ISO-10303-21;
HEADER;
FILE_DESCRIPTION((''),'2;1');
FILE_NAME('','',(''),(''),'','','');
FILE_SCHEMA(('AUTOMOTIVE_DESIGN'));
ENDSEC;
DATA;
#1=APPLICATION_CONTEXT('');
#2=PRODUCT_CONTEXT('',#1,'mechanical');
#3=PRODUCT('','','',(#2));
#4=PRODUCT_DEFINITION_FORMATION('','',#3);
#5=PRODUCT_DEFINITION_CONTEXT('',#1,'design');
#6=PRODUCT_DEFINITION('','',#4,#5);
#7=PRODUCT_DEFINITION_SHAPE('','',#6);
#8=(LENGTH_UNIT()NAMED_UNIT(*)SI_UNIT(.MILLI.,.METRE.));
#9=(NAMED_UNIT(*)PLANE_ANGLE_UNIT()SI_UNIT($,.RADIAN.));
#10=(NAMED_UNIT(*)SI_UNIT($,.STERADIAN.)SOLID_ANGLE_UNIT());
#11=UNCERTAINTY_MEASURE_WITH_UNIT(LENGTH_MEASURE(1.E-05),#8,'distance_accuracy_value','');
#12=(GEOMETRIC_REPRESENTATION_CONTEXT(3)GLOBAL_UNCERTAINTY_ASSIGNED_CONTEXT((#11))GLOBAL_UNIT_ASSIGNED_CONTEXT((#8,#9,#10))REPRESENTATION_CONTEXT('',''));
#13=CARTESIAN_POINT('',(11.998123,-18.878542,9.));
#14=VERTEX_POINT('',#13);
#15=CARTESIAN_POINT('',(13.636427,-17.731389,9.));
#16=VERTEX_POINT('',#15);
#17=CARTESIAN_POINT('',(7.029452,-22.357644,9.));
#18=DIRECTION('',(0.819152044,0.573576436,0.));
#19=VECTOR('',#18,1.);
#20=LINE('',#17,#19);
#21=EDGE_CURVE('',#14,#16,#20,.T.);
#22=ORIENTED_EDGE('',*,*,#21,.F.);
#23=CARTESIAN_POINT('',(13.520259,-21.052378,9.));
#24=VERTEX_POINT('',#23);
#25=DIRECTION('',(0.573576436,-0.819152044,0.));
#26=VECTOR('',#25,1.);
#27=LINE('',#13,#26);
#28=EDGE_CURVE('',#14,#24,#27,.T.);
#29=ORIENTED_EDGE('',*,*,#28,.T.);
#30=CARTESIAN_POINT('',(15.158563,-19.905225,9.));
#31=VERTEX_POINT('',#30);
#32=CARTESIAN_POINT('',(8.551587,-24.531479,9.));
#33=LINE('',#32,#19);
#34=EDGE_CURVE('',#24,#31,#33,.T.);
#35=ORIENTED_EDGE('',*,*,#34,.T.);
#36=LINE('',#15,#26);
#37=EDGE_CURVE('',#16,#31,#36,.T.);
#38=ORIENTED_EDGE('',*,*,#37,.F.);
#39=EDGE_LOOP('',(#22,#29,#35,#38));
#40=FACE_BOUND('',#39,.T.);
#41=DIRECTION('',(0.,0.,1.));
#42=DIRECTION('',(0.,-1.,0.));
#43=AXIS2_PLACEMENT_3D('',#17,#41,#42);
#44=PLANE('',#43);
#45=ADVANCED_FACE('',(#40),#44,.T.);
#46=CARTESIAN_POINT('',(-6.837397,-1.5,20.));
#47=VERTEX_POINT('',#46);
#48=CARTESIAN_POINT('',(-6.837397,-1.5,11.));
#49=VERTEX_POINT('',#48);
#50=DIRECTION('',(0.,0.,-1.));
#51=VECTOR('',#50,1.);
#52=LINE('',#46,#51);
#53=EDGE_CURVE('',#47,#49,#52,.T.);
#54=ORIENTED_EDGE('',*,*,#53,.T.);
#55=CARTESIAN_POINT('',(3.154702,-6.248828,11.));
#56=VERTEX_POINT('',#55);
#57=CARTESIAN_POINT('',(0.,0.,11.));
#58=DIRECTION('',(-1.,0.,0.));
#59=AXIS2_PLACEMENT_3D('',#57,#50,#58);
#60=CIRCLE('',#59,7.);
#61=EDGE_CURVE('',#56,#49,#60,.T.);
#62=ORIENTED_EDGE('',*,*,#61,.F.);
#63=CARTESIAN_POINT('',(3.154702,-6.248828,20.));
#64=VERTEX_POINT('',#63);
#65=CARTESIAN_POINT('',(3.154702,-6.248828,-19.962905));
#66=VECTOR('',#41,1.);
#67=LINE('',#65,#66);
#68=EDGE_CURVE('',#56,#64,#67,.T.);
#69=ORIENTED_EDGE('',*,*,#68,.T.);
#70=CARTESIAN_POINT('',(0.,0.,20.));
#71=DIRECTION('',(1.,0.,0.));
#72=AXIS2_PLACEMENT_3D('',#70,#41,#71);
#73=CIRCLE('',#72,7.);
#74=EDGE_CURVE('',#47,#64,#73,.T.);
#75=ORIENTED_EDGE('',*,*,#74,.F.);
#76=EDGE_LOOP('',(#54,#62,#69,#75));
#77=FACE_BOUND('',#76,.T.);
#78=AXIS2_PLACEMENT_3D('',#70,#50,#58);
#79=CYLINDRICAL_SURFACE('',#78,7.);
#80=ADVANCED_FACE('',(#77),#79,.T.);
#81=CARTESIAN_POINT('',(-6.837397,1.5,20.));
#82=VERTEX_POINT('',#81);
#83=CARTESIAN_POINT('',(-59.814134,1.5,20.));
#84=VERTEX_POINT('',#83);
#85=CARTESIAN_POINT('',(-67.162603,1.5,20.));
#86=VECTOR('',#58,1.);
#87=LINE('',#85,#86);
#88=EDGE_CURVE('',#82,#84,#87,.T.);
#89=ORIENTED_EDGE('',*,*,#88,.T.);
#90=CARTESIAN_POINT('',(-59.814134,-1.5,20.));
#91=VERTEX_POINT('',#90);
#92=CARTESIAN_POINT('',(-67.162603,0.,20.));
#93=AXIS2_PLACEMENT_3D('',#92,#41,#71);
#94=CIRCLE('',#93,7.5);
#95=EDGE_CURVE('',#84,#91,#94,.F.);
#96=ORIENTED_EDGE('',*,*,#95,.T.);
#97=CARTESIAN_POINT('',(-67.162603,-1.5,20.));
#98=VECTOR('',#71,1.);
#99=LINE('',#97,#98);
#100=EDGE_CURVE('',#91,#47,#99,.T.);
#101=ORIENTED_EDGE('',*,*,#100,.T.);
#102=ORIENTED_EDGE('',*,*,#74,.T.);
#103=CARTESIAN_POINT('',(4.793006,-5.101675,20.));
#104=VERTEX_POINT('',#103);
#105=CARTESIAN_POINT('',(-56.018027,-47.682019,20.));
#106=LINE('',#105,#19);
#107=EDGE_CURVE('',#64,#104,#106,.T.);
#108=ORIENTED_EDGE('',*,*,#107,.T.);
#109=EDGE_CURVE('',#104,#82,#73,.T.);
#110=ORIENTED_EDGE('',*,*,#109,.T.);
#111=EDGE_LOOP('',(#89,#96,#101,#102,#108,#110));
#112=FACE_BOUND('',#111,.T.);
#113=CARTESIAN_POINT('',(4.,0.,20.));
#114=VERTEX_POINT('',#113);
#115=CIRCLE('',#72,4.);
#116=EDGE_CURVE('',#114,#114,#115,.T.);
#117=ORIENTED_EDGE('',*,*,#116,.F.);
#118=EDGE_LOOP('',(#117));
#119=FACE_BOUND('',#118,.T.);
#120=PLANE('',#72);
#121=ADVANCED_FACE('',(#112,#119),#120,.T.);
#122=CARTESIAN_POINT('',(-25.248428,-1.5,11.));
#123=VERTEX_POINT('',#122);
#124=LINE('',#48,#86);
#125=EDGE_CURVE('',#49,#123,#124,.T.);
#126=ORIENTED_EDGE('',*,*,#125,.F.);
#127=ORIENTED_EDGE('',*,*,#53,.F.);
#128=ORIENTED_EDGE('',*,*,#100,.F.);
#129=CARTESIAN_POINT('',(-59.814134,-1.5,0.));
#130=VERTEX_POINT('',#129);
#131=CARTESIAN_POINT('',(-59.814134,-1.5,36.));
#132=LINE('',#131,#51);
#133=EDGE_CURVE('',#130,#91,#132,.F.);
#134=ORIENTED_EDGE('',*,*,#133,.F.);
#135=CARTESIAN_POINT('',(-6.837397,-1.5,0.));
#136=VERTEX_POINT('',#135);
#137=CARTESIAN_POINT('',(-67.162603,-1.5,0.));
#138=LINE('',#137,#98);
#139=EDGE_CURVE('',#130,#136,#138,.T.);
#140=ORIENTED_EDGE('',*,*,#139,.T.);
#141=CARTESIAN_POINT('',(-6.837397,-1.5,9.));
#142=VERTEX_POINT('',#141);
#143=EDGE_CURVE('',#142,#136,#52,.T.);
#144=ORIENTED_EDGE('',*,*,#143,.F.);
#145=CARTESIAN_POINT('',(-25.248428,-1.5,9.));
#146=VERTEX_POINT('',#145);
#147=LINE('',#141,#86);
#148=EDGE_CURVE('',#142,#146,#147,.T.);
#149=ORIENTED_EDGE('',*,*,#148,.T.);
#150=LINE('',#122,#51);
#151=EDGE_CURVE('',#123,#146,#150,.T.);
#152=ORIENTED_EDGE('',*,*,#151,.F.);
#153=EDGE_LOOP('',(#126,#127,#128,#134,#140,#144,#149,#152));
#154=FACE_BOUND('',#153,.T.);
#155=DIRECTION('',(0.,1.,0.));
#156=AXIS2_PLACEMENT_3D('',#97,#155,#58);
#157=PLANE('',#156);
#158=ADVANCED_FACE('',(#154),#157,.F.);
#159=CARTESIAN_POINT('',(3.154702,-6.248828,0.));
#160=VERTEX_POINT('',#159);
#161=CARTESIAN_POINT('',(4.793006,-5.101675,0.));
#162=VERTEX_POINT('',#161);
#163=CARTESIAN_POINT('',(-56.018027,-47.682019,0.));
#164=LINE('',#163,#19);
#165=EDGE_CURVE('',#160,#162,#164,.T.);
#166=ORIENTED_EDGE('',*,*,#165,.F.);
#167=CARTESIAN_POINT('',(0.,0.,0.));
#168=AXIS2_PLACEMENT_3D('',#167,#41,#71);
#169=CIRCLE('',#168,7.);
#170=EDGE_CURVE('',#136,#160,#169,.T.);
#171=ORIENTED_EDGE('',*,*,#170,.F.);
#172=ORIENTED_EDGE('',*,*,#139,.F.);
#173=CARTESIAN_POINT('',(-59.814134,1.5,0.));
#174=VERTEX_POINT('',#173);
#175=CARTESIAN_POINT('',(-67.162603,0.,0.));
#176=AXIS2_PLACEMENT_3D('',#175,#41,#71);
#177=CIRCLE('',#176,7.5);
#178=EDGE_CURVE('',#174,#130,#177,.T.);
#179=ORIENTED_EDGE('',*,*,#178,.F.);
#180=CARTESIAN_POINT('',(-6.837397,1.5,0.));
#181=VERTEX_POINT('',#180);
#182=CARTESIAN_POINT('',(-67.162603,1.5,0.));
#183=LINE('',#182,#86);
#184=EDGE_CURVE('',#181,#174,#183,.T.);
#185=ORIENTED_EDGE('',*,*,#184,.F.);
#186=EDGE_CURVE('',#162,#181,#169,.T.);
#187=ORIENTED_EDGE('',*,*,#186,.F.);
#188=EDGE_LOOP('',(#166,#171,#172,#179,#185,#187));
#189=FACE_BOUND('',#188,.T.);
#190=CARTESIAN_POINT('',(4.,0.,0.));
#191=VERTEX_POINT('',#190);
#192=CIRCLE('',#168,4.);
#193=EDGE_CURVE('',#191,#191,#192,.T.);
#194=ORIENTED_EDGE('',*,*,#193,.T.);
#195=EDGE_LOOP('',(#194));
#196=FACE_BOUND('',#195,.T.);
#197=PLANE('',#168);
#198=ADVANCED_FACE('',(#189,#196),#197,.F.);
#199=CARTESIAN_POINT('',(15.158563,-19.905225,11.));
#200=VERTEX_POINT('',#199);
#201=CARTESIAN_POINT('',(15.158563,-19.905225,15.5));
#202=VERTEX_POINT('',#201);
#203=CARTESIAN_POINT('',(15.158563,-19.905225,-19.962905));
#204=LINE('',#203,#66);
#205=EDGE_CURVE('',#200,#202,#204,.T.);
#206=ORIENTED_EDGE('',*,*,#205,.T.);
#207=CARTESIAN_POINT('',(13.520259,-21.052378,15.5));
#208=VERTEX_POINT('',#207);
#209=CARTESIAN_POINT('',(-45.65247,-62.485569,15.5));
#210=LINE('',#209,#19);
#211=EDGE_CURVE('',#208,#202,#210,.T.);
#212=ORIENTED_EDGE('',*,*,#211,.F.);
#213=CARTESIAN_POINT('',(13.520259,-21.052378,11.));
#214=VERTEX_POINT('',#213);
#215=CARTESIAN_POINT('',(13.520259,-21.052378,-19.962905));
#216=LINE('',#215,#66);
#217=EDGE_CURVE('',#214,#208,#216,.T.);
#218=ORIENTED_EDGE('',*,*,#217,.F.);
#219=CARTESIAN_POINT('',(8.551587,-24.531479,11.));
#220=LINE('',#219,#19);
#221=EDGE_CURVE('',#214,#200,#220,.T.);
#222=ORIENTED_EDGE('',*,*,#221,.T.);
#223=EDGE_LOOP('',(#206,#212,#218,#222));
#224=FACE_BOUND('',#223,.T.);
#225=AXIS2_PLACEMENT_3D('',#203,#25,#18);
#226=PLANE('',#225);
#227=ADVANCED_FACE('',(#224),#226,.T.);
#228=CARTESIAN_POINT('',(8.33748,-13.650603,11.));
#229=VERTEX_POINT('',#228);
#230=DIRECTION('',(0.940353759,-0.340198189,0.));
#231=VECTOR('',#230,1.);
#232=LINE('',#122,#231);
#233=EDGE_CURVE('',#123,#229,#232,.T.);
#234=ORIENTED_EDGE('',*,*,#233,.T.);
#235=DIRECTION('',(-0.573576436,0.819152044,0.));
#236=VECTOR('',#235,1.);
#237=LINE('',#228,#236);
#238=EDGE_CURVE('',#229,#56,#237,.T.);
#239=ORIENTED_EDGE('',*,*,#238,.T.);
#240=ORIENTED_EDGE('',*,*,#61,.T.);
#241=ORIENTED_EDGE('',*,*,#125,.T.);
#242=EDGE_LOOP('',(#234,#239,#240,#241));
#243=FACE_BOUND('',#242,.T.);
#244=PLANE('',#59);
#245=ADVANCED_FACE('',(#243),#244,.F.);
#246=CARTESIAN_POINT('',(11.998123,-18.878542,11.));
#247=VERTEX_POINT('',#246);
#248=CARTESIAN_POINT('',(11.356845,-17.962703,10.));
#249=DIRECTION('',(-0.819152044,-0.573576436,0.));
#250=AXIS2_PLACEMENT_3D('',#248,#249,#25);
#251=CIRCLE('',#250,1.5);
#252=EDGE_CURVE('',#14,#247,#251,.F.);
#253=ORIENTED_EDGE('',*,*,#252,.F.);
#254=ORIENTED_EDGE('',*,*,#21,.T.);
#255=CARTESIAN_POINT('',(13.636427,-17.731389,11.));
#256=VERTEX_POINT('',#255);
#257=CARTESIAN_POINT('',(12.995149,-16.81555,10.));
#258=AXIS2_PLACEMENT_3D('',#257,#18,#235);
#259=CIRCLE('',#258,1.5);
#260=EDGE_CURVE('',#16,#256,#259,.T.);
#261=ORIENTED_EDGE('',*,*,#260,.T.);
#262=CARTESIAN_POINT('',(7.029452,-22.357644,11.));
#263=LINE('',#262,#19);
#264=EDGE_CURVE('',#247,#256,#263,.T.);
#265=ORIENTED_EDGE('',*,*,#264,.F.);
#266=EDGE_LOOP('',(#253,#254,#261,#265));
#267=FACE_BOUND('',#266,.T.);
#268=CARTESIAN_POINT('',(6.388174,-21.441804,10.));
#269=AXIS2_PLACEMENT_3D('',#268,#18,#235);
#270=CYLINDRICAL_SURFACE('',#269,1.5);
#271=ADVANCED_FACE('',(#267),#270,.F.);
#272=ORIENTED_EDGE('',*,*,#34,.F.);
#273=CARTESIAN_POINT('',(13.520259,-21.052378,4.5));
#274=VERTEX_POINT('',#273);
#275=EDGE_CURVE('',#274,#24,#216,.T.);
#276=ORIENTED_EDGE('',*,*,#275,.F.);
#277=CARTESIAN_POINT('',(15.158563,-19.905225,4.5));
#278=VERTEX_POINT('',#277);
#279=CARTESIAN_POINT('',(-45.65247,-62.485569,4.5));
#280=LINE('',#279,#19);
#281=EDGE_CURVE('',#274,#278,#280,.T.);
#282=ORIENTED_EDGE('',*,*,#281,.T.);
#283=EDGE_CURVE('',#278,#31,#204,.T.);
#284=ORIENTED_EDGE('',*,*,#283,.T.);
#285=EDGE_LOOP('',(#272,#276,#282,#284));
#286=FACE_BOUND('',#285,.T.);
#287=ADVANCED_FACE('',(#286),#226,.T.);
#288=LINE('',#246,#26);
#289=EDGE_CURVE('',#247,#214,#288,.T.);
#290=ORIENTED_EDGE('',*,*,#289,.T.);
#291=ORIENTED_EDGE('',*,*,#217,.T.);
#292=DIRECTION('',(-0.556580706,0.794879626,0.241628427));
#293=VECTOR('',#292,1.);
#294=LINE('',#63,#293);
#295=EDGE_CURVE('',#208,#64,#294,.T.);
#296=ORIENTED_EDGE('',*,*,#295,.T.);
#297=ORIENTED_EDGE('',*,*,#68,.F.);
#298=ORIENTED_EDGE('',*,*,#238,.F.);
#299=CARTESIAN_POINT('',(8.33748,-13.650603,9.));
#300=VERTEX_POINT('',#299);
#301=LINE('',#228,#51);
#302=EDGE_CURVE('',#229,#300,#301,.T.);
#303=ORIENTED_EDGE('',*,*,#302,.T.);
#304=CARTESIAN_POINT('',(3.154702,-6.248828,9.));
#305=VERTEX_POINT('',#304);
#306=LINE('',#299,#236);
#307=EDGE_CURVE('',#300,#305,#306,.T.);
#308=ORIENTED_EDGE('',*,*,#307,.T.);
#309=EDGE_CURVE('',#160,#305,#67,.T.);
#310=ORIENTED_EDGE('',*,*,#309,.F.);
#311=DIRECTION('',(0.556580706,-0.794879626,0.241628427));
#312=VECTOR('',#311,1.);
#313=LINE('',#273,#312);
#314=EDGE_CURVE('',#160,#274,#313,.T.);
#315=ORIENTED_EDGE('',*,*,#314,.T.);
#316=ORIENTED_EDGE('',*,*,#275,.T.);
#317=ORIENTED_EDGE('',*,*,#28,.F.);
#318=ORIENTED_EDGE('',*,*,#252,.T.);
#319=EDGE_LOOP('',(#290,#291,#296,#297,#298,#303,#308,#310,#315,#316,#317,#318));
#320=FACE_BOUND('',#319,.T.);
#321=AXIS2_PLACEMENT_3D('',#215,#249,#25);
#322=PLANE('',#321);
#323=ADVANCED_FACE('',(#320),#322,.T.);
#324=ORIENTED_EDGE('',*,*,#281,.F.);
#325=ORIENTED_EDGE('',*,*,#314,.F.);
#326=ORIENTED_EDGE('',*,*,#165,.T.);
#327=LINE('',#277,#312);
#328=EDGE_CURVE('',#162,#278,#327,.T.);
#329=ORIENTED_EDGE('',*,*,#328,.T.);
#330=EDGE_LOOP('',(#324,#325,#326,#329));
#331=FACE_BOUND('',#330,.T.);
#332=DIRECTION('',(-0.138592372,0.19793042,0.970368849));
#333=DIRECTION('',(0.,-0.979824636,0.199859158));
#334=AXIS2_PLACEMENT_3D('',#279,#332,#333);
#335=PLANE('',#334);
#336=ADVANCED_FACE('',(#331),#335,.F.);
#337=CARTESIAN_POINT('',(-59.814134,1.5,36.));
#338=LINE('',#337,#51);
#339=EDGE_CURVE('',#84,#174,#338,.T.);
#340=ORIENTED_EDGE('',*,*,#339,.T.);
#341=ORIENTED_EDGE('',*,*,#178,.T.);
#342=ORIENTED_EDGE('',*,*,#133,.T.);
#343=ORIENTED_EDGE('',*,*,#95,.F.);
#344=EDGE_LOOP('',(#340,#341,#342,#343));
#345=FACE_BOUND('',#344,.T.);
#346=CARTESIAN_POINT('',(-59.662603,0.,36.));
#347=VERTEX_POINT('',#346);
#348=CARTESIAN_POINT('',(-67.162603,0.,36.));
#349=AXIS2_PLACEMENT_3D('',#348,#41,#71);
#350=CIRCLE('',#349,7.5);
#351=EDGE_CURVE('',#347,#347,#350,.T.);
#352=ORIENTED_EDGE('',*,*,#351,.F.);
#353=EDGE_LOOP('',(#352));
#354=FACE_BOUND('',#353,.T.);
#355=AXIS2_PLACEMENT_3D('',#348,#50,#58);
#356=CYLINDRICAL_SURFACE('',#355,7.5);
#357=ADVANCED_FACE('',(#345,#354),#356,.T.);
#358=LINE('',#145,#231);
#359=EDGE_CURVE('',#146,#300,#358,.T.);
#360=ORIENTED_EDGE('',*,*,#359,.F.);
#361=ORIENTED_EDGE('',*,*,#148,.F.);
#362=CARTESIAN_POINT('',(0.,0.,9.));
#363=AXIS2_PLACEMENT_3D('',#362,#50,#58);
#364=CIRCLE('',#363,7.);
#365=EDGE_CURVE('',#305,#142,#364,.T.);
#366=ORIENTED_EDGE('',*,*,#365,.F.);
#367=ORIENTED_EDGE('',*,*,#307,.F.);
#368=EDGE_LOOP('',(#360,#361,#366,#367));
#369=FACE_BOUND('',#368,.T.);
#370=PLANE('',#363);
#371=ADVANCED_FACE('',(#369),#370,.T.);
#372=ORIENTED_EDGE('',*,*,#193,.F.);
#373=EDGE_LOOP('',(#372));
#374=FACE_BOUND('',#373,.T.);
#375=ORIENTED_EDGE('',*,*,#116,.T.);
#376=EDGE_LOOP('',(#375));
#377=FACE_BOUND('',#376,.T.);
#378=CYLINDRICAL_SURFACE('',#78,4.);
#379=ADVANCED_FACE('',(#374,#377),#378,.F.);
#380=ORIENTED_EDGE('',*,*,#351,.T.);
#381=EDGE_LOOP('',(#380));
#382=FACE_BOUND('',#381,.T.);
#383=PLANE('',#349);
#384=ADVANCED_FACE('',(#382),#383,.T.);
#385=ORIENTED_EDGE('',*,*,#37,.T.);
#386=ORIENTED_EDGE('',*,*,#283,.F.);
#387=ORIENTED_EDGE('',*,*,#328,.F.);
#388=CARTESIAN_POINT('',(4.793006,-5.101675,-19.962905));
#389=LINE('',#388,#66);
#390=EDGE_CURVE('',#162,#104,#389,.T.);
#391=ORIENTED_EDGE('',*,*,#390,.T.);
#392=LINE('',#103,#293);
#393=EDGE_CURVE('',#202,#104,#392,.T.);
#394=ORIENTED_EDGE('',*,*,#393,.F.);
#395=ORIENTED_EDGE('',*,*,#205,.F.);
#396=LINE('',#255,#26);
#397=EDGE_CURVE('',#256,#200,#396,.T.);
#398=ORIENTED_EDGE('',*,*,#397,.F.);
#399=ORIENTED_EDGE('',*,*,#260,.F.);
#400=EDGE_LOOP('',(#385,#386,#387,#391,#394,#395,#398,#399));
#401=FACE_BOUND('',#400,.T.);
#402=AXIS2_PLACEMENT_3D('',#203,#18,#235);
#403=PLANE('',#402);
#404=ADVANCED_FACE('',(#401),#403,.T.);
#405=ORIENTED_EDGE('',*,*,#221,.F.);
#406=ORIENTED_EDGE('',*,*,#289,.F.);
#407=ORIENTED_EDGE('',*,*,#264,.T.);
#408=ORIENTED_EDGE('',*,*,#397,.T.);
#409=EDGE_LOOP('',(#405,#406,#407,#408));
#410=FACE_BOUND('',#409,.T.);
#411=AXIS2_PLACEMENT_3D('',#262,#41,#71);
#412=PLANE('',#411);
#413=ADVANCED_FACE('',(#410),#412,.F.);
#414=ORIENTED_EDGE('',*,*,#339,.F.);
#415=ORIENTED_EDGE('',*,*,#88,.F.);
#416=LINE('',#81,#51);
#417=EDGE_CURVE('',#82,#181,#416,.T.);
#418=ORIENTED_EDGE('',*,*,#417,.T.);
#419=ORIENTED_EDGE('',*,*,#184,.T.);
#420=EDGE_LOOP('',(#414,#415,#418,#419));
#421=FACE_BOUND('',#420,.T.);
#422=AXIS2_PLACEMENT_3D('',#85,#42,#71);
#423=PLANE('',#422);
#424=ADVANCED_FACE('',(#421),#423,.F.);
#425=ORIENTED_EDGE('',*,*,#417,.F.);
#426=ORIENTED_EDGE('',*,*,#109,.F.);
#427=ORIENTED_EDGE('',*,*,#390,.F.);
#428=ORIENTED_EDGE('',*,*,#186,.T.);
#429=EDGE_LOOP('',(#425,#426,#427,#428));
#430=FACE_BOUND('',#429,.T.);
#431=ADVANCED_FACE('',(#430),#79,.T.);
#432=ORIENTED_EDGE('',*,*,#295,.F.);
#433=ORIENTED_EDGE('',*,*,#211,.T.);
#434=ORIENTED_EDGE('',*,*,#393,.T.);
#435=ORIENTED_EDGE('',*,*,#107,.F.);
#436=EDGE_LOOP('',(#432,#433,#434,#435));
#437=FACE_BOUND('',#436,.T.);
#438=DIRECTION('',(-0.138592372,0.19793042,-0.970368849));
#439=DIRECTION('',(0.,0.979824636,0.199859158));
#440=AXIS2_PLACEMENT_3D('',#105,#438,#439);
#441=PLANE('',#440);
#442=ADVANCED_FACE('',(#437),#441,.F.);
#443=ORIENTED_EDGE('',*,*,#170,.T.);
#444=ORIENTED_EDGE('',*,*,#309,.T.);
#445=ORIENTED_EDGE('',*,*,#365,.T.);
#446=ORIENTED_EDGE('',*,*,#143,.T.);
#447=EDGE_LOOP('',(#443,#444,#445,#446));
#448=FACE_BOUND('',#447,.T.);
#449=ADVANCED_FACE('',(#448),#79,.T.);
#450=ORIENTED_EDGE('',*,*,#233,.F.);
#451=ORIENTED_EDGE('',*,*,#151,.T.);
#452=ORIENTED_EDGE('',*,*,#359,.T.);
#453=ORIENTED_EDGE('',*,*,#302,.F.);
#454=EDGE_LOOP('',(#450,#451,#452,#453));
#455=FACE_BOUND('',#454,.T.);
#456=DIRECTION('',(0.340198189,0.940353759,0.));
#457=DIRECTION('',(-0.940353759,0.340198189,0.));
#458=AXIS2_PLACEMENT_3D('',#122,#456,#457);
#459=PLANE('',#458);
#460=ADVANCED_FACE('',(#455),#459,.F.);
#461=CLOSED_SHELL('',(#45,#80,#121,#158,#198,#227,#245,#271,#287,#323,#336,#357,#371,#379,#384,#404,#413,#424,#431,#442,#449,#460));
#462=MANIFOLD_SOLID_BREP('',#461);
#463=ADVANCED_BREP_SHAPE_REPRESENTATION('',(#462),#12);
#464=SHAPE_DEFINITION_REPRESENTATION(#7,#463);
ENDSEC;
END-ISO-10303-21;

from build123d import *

# Parameters (mm, degrees)
SKETCH2_R                = 4
BOSS_EXTRUDE1_DEPTH      = 20
BOSS_EXTRUDE2_DEPTH      = 16
BOSS_EXTRUDE2_DEPTH_BACK = 20
SKETCH3_R                = 7.5
BOSS_EXTRUDE3_START      = -20
BOSS_EXTRUDE3_DEPTH      = 20
CUT_EXTRUDE1_DEPTH       = 2
CUT_EXTRUDE2_REACH       = 88.378
BOSS_EXTRUDE4_DEPTH      = 2


with BuildPart() as part:
    # Sketch2 → Boss-Extrude1 (new body)
    with BuildSketch(Plane.XY):
        with BuildLine():
            Line((-67.162602834, 1.5), (-6.837397166, 1.5))
            ThreePointArc((-6.837397166, 1.5), (7, 0), (-6.837397166, -1.5))
            Line((-6.837397166, -1.5), (-67.162602834, -1.5))
            Line((-67.162602834, -1.5), (-67.162602834, 1.5))
        make_face()
        Circle(SKETCH2_R, mode=Mode.SUBTRACT)
    extrude(amount=BOSS_EXTRUDE1_DEPTH)

    # Sketch3 → Boss-Extrude2 (add, two sides: drawn at the far end of the back side and taken through both)
    with BuildSketch(Plane.XY.offset(20).offset(-BOSS_EXTRUDE2_DEPTH_BACK)):
        with Locations(Location((-67.162602834, 0, 0), (0, 0, 348.463040967))):
            Circle(SKETCH3_R)
    extrude(amount=BOSS_EXTRUDE2_DEPTH + BOSS_EXTRUDE2_DEPTH_BACK)

    # Sketch4 → Boss-Extrude3 (add)
    with BuildSketch(Plane.XY.offset(20).offset(BOSS_EXTRUDE3_START)):
        with BuildLine():
            Line((15.158562953, -19.905224671), (13.520258864, -21.052377544))
            Line((13.520258864, -21.052377544), (3.154702075, -6.248828276))
            ThreePointArc((3.154702075, -6.248828276), (4.015035054, -5.73406431), (4.793006163, -5.101675403))
            Line((4.793006163, -5.101675403), (15.158562953, -19.905224671))
        make_face()
    extrude(amount=BOSS_EXTRUDE3_DEPTH)

    # Sketch5 → Cut-Extrude1 (cut)
    with BuildSketch(Plane(origin=(0.8191520442889967, 0.5735764363510467, 0), x_dir=(0, 0, -1), z_dir=(0.8191520442889931, 0.5735764363510442, 0))):
        with BuildLine():
            Line((-11, -22.346237219), (-11, -25))
            Line((-11, -25), (-9, -25))
            Line((-9, -25), (-9, -22.346237219))
            ThreePointArc((-9, -22.346237219), (-10, -19.72820323), (-11, -22.346237219))
        make_face()
    extrude(amount=-CUT_EXTRUDE1_DEPTH, mode=Mode.SUBTRACT)

    # Sketch6 → Cut-Extrude2 (cut, up to next)
    with BuildSketch(Plane(origin=(0.8191520442889967, 0.5735764363510467, 0), x_dir=(0, 0, -1), z_dir=(0.8191520442889931, 0.5735764363510442, 0)), mode=Mode.PRIVATE) as cut_extrude2_sk1:
        Polygon((-20, -6.92820323), (-15.5, -25), (-21.37977423, -25), (-21.37977423, -6.621098629), align=None)
    cut_extrude2_tool1 = extrude(cut_extrude2_sk1.sketch, amount=-CUT_EXTRUDE2_REACH, mode=Mode.PRIVATE) & part.part
    # Sketch6 → Cut-Extrude2 (cut, up to next)
    with BuildSketch(Plane(origin=(0.8191520442889967, 0.5735764363510467, 0), x_dir=(0, 0, -1), z_dir=(0.8191520442889931, 0.5735764363510442, 0)), mode=Mode.PRIVATE) as cut_extrude2_sk2:
        Polygon((0, -6.92820323), (1.41409792, -6.92820323), (1.41409792, -25), (-4.5, -25), align=None)
    cut_extrude2_tool2 = extrude(cut_extrude2_sk2.sketch, amount=-CUT_EXTRUDE2_REACH, mode=Mode.PRIVATE) & part.part
    add(cut_extrude2_tool1.solids().sort_by_distance((11.026351, -14.003814, 19.337545))[0], mode=Mode.SUBTRACT)
    add(cut_extrude2_tool2.solids().sort_by_distance((11.036642, -14.018511, 0.648226))[0], mode=Mode.SUBTRACT)

    # Sketch7 → Boss-Extrude4 (add)
    with BuildSketch(Plane.XY.offset(9)):
        Polygon((-25.248427633, -1.5), (8.33748047, -13.65060291), (3.154702075, -6.248828276), (-6.837397166, -1.5), align=None)
    extrude(amount=BOSS_EXTRUDE4_DEPTH)


solid = part.part
